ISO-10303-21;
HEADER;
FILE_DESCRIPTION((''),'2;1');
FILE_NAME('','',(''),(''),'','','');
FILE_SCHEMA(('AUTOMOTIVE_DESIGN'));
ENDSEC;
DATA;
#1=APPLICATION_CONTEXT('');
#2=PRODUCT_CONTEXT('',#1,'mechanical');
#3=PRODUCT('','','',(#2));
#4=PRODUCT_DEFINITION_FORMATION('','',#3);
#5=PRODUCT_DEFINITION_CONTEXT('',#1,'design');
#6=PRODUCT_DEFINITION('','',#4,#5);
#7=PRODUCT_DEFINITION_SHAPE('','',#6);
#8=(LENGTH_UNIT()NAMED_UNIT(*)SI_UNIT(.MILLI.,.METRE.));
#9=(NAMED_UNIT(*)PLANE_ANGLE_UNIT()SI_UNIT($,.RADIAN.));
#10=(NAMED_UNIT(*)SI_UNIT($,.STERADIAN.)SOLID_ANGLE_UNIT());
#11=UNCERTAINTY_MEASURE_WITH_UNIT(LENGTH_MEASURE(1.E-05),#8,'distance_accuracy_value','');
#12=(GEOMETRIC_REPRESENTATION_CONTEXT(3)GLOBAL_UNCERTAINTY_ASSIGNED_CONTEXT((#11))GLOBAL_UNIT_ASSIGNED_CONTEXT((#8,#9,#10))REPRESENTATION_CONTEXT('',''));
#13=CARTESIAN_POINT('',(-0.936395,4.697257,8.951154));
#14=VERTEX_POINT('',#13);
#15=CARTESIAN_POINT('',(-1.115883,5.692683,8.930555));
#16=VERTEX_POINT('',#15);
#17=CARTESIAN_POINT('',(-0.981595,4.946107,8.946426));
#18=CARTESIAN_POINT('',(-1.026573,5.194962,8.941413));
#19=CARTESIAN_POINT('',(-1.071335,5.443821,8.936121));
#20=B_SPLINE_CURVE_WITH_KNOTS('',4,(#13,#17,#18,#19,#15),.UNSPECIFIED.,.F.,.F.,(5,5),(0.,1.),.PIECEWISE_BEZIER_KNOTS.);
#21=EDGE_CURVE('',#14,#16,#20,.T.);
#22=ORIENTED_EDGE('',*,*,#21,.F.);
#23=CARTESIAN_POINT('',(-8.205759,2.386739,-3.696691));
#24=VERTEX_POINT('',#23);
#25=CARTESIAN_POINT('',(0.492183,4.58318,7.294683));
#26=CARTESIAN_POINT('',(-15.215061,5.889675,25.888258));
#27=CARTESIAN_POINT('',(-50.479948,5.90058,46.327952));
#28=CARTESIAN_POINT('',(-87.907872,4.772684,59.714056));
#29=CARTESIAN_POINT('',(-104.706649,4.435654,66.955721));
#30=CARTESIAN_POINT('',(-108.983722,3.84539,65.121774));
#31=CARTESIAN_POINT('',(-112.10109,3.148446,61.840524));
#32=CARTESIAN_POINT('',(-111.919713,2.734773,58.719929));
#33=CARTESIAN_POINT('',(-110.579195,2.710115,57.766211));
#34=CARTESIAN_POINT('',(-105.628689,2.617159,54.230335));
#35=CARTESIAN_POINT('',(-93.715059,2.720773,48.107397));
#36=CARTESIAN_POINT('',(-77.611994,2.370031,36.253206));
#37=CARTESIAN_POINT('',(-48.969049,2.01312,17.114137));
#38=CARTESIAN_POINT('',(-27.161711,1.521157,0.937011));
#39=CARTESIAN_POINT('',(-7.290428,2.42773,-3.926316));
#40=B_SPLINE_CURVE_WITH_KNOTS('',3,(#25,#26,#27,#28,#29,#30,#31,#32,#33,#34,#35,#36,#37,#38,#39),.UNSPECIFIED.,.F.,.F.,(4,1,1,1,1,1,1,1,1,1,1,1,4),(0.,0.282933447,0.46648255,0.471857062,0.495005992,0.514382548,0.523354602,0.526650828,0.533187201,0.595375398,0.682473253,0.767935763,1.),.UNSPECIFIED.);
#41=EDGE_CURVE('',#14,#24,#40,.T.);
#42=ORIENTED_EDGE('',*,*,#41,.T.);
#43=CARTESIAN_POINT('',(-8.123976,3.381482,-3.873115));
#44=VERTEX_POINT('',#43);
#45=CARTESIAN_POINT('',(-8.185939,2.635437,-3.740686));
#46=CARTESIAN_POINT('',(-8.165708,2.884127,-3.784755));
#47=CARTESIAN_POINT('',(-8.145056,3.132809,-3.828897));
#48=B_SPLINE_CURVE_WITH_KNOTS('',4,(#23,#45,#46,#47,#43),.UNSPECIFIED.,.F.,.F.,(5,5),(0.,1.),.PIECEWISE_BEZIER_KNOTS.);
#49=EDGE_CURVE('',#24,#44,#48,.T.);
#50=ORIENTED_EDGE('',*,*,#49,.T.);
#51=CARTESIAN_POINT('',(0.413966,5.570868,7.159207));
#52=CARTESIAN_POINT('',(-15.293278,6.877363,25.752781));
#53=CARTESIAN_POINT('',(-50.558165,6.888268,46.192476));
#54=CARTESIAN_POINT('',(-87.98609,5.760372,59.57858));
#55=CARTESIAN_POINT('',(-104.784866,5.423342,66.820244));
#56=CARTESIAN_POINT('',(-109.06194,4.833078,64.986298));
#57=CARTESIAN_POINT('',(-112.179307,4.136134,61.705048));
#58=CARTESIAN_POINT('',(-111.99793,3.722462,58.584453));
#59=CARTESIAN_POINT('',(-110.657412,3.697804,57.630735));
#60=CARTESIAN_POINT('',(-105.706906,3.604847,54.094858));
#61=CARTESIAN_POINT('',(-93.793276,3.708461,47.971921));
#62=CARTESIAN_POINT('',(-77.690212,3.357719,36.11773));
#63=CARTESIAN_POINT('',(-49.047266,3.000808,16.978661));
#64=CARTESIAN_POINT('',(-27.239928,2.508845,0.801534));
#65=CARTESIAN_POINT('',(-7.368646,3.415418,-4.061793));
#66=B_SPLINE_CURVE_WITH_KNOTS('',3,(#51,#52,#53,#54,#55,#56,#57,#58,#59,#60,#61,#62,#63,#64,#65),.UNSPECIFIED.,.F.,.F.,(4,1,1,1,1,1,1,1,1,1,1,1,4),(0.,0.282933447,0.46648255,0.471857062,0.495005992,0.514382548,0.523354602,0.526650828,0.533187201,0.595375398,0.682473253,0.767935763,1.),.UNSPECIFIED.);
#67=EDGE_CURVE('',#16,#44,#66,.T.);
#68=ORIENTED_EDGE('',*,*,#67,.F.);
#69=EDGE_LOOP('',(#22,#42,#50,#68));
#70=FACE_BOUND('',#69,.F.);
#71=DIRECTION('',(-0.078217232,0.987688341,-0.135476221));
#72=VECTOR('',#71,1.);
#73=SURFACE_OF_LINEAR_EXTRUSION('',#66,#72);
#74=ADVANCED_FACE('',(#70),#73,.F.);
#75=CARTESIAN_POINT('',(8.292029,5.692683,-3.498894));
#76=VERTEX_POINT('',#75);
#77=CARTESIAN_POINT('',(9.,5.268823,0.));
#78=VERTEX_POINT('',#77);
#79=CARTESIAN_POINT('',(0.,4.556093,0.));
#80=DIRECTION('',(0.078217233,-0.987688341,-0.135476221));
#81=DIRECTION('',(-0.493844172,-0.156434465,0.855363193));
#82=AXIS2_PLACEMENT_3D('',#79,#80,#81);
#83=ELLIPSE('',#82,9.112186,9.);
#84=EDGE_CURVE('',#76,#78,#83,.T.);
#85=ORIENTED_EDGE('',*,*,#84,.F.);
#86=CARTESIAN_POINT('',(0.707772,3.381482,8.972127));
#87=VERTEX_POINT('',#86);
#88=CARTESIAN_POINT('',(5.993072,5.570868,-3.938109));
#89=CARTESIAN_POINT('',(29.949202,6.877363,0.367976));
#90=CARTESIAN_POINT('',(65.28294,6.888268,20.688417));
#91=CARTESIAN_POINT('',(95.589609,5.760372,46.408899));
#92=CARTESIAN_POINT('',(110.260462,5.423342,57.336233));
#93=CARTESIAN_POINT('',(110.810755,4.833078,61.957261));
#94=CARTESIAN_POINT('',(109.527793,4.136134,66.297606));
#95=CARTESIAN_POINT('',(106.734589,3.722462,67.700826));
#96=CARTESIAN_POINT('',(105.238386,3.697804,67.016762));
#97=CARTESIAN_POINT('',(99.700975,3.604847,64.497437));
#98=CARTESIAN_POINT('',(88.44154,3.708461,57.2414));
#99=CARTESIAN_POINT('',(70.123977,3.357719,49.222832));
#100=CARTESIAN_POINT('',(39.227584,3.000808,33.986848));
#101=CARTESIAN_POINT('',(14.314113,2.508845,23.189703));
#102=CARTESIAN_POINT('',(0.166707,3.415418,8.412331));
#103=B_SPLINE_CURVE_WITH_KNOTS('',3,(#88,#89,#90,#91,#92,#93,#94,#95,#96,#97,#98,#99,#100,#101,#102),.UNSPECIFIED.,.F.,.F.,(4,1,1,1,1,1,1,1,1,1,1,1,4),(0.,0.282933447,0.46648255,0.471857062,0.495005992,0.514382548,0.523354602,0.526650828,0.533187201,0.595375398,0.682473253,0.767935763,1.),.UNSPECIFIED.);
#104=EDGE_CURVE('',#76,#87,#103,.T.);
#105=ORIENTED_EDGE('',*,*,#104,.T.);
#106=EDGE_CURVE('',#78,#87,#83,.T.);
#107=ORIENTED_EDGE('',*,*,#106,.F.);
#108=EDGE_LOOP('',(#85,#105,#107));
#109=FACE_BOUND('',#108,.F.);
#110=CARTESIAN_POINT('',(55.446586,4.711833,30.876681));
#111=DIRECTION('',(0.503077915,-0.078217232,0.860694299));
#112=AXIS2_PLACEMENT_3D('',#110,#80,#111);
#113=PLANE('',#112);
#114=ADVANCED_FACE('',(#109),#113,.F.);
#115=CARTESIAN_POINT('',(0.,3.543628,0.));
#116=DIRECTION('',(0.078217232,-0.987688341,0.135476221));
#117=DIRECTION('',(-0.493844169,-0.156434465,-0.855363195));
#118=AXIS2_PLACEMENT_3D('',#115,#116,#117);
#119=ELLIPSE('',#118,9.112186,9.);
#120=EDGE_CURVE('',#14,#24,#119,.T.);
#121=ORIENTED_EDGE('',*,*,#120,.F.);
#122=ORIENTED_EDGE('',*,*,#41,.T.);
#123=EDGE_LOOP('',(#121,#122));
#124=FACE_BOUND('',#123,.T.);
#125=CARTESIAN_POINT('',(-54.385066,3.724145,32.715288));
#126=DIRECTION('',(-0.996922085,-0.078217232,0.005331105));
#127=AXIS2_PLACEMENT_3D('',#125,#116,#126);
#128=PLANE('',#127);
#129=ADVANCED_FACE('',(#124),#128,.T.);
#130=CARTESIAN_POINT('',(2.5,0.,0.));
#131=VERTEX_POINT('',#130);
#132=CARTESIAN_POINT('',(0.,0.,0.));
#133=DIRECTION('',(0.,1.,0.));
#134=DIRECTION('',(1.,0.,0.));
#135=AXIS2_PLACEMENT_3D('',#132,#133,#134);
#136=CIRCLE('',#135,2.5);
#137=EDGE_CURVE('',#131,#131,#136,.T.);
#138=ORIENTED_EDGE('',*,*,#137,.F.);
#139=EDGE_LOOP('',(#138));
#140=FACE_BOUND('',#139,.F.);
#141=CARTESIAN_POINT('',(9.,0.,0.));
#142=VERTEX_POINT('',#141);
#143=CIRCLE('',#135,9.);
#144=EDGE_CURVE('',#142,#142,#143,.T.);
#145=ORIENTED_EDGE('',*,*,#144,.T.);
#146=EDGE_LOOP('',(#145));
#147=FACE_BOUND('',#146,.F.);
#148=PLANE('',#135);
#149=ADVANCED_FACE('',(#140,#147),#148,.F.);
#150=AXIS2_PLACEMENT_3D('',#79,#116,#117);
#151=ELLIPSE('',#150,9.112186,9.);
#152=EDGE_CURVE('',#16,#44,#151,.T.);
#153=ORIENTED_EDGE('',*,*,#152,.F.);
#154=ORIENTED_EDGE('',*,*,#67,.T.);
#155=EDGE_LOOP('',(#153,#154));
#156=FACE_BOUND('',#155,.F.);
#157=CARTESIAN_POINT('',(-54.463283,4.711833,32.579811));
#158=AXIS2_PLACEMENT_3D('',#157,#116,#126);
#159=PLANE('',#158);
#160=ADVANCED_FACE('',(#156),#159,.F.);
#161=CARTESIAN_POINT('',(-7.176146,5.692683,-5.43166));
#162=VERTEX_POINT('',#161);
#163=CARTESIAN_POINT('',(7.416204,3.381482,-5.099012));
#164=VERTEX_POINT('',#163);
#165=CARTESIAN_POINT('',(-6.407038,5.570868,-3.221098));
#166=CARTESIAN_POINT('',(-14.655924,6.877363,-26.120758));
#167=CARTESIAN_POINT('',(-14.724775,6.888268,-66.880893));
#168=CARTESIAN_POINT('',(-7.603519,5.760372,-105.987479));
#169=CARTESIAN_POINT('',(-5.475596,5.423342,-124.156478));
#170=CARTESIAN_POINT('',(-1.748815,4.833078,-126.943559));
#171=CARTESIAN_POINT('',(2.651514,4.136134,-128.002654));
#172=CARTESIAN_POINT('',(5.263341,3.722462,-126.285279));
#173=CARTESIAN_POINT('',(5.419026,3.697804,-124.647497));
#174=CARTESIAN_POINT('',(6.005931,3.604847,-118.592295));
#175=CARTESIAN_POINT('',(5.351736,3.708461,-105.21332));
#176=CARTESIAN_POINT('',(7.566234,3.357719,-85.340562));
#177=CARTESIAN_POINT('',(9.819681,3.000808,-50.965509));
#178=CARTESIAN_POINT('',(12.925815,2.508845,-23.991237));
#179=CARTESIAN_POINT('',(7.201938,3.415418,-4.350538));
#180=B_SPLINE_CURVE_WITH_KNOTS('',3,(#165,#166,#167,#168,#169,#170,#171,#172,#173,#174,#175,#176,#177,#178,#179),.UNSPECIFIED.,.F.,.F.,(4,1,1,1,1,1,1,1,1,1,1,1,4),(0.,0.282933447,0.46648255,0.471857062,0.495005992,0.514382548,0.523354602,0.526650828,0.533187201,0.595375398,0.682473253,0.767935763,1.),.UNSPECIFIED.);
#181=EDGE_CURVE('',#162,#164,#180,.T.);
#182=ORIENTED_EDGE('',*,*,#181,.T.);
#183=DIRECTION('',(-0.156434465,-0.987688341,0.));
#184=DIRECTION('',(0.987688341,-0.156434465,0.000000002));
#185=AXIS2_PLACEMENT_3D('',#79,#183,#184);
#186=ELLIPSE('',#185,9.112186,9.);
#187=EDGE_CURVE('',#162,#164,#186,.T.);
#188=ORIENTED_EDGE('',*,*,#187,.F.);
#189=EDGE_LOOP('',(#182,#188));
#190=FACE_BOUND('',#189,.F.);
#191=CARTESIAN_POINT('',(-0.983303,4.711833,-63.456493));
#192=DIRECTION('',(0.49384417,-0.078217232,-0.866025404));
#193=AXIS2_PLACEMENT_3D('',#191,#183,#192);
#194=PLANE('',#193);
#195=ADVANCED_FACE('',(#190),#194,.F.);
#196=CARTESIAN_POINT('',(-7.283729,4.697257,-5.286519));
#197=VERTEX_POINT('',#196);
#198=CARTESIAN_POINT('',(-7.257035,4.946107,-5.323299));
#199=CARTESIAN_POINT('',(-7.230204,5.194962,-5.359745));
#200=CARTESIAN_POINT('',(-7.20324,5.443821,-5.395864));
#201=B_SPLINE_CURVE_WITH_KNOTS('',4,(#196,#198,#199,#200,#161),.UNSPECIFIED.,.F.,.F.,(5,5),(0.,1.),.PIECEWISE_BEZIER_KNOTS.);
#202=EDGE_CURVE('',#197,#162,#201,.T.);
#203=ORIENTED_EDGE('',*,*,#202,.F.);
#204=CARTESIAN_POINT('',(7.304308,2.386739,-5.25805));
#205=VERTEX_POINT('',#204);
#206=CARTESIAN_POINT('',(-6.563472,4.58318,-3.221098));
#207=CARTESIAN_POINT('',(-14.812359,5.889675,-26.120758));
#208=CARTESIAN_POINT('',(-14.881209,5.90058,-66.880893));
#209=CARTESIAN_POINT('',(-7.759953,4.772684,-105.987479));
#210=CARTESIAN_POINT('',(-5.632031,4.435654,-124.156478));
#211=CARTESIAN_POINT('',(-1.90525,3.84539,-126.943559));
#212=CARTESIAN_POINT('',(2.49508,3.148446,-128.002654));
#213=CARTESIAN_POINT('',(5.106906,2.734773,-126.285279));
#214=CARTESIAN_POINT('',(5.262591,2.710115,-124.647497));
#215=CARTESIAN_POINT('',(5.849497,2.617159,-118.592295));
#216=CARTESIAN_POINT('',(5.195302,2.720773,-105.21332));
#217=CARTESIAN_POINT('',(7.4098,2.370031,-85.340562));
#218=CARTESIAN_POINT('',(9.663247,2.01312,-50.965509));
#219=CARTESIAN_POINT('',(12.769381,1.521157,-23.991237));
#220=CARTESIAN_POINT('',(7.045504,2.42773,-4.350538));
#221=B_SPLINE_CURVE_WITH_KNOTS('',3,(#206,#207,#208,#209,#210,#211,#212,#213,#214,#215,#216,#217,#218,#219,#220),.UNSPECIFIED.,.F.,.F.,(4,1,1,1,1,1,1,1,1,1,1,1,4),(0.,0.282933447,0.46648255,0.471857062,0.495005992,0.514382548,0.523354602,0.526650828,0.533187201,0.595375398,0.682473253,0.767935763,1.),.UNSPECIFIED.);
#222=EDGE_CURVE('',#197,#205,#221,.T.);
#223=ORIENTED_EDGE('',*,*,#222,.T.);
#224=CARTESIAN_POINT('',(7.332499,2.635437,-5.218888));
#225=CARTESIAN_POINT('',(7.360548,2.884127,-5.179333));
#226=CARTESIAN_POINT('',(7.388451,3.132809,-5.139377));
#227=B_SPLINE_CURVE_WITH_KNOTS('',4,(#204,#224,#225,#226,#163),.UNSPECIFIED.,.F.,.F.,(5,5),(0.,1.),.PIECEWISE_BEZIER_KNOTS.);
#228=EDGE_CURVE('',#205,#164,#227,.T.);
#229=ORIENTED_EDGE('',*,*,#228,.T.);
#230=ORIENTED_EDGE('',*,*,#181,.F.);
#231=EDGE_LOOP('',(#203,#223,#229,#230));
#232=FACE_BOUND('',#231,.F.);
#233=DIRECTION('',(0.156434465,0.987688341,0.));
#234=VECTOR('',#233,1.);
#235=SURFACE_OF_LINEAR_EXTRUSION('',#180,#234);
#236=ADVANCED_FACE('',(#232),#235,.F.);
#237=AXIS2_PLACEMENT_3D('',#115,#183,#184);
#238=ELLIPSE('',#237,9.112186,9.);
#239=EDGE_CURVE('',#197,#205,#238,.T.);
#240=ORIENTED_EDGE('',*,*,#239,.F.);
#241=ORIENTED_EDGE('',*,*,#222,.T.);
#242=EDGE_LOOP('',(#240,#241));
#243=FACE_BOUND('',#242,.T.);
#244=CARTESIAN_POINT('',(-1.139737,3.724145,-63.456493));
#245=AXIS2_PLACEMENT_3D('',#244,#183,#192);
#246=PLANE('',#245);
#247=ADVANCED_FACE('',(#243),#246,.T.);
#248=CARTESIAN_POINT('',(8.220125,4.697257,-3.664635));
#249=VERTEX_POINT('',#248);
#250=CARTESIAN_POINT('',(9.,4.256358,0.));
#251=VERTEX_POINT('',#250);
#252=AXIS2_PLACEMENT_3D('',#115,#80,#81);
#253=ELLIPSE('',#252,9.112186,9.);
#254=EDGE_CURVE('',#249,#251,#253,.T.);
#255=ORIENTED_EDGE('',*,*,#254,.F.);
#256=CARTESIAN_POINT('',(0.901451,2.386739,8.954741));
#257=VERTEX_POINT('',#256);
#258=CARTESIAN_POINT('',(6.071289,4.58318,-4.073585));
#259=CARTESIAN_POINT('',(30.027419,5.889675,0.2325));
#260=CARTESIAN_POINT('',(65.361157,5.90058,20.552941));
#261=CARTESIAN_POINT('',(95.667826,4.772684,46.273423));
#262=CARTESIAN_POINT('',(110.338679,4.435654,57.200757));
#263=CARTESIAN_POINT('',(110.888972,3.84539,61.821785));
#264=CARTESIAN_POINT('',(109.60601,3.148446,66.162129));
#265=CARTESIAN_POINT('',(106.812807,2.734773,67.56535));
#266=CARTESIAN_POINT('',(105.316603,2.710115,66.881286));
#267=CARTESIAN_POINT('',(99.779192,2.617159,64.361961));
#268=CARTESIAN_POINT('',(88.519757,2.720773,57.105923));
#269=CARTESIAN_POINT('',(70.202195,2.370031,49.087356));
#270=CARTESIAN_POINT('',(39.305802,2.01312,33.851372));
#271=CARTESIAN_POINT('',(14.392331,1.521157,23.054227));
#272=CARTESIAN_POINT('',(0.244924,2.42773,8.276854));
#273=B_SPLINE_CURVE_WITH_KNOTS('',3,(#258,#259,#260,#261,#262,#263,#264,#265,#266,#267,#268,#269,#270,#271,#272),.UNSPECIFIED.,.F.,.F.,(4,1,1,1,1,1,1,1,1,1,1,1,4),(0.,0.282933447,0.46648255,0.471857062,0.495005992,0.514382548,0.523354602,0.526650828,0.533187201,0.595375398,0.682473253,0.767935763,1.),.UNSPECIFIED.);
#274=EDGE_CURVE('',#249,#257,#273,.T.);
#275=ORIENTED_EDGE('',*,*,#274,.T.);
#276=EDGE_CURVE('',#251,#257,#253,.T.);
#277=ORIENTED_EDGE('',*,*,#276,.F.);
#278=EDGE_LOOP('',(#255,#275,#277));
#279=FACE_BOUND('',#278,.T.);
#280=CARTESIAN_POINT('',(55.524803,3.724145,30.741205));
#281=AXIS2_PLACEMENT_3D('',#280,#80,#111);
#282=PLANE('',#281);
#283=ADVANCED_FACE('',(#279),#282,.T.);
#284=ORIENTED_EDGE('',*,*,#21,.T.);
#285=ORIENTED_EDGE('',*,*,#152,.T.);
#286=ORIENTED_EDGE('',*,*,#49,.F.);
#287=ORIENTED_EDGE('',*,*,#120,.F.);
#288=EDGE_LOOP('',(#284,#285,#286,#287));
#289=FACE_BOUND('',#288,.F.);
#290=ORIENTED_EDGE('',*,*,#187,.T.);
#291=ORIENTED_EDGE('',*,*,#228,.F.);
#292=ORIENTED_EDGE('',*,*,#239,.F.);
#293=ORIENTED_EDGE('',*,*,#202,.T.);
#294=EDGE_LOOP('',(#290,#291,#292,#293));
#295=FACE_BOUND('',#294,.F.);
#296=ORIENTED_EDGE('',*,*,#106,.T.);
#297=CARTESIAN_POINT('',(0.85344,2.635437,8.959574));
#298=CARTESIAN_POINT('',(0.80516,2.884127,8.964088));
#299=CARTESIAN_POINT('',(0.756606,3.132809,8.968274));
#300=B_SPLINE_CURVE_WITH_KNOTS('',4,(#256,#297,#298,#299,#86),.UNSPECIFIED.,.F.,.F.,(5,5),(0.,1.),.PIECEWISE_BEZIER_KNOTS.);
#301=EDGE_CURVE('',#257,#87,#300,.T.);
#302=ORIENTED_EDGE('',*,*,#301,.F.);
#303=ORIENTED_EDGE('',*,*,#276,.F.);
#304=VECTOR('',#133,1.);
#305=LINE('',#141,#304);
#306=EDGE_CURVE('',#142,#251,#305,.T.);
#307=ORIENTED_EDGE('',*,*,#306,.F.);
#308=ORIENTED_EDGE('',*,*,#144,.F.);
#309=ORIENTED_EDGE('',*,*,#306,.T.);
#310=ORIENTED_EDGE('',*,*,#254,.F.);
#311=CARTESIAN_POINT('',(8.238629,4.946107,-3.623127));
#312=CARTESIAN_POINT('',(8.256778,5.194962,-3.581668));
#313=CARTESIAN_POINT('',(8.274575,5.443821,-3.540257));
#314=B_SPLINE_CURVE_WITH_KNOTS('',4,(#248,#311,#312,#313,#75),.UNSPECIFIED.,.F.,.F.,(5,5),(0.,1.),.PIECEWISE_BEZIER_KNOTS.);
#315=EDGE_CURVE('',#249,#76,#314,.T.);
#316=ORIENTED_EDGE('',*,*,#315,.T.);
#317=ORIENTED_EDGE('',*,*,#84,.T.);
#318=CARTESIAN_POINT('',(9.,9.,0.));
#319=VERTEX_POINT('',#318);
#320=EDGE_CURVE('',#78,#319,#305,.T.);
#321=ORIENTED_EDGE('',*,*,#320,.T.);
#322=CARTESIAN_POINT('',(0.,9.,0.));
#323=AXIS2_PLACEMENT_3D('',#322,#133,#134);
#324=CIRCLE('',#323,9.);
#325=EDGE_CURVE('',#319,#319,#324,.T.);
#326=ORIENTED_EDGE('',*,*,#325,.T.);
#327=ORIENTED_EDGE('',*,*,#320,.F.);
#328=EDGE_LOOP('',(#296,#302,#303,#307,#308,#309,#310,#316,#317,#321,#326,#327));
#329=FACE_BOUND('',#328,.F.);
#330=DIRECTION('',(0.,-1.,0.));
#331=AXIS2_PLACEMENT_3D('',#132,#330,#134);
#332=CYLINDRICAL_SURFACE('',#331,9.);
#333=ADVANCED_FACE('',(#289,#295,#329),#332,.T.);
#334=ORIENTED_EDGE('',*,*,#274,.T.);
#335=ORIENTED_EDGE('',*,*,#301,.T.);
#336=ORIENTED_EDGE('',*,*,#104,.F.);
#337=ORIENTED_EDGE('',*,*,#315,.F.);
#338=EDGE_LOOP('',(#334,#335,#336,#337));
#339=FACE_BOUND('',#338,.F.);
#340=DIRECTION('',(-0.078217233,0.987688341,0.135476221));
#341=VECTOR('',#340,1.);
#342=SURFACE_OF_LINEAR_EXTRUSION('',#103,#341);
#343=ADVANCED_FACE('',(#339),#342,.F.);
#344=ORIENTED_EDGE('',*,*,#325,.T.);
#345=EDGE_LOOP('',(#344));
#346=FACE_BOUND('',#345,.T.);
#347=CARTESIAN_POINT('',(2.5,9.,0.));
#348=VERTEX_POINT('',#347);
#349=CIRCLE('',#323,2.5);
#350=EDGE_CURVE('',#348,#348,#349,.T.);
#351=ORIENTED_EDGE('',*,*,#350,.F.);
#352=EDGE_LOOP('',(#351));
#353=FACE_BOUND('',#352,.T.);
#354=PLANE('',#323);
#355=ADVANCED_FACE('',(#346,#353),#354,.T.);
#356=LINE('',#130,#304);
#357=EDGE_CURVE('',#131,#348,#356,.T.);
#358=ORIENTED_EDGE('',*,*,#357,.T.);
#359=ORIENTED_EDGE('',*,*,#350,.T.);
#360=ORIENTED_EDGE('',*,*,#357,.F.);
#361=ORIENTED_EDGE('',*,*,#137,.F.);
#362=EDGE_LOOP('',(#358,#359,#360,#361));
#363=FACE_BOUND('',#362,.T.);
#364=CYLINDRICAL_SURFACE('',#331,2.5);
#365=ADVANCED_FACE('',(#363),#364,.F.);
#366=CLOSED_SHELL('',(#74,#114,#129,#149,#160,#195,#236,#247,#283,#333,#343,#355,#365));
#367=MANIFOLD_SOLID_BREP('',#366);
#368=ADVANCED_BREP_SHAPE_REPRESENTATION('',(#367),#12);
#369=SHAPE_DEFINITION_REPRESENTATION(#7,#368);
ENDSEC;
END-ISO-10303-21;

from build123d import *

# Parameters (mm, degrees)
SKETCH1_R           = 9
SKETCH1_R_2         = 2.5
BOSS_EXTRUDE1_DEPTH = 9
BOSS_EXTRUDE2_START = -4.5
BOSS_EXTRUDE2_DEPTH = 1
CIRPATTERN1_COUNT   = 3


with BuildPart() as part:
    # Sketch1 → Boss-Extrude1 (new body)
    with BuildSketch(Plane(origin=(0, 0, 0), x_dir=(1, 0, 0), z_dir=(0, 1, 0))):
        Circle(SKETCH1_R)
        Circle(SKETCH1_R_2, mode=Mode.SUBTRACT)
    extrude(amount=BOSS_EXTRUDE1_DEPTH)

    # Sketch2 → Boss-Extrude2 (add)
    with BuildSketch(Plane(origin=(0, 0, 0), x_dir=(0.503077915, -0.078217233, 0.860694299), z_dir=(0.078217233, -0.987688341, -0.135476221)).offset(BOSS_EXTRUDE2_START)):
        with BuildLine():
            ThreePointArc((7.057167207, 3.522296079), (6.485622082, -4.488528141), (-0.810263482, -7.845613536))
            add(Edge.make_bspline(
                [(-0.810263482, -7.845613536), (14.84556885, -26.528236143), (50.110026658, -46.96867352), (87.58233528, -60.277903004), (104.394373747, -67.496596406), (108.694675079, -65.622418883), (111.839467858, -62.293667025), (111.674369285, -59.14487647), (110.334821186, -58.189477886), (105.387973441, -54.647266008), (93.470266374, -48.531390342), (77.381003607, -36.65329381), (48.752102578, -17.489898423), (26.964124286, -1.279240997), (7.057167207, 3.522296079)],
                knots=[0, 0, 0, 0, 0.282933447, 0.46648255, 0.471857062, 0.495005992, 0.514382548, 0.523354602, 0.526650828, 0.533187201, 0.595375398, 0.682473253, 0.767935763, 1, 1, 1, 1], degree=3))
        make_face()
    boss_extrude2 = extrude(amount=BOSS_EXTRUDE2_DEPTH)

    # CirPattern1: Boss-Extrude2 ×3 about axis
    cirpattern1_axis = Axis((0, 9, 0), (0, 1, 0))
    for i in range(1, CIRPATTERN1_COUNT):
        add(boss_extrude2.rotate(cirpattern1_axis, i * 360 / CIRPATTERN1_COUNT))


solid = part.part
